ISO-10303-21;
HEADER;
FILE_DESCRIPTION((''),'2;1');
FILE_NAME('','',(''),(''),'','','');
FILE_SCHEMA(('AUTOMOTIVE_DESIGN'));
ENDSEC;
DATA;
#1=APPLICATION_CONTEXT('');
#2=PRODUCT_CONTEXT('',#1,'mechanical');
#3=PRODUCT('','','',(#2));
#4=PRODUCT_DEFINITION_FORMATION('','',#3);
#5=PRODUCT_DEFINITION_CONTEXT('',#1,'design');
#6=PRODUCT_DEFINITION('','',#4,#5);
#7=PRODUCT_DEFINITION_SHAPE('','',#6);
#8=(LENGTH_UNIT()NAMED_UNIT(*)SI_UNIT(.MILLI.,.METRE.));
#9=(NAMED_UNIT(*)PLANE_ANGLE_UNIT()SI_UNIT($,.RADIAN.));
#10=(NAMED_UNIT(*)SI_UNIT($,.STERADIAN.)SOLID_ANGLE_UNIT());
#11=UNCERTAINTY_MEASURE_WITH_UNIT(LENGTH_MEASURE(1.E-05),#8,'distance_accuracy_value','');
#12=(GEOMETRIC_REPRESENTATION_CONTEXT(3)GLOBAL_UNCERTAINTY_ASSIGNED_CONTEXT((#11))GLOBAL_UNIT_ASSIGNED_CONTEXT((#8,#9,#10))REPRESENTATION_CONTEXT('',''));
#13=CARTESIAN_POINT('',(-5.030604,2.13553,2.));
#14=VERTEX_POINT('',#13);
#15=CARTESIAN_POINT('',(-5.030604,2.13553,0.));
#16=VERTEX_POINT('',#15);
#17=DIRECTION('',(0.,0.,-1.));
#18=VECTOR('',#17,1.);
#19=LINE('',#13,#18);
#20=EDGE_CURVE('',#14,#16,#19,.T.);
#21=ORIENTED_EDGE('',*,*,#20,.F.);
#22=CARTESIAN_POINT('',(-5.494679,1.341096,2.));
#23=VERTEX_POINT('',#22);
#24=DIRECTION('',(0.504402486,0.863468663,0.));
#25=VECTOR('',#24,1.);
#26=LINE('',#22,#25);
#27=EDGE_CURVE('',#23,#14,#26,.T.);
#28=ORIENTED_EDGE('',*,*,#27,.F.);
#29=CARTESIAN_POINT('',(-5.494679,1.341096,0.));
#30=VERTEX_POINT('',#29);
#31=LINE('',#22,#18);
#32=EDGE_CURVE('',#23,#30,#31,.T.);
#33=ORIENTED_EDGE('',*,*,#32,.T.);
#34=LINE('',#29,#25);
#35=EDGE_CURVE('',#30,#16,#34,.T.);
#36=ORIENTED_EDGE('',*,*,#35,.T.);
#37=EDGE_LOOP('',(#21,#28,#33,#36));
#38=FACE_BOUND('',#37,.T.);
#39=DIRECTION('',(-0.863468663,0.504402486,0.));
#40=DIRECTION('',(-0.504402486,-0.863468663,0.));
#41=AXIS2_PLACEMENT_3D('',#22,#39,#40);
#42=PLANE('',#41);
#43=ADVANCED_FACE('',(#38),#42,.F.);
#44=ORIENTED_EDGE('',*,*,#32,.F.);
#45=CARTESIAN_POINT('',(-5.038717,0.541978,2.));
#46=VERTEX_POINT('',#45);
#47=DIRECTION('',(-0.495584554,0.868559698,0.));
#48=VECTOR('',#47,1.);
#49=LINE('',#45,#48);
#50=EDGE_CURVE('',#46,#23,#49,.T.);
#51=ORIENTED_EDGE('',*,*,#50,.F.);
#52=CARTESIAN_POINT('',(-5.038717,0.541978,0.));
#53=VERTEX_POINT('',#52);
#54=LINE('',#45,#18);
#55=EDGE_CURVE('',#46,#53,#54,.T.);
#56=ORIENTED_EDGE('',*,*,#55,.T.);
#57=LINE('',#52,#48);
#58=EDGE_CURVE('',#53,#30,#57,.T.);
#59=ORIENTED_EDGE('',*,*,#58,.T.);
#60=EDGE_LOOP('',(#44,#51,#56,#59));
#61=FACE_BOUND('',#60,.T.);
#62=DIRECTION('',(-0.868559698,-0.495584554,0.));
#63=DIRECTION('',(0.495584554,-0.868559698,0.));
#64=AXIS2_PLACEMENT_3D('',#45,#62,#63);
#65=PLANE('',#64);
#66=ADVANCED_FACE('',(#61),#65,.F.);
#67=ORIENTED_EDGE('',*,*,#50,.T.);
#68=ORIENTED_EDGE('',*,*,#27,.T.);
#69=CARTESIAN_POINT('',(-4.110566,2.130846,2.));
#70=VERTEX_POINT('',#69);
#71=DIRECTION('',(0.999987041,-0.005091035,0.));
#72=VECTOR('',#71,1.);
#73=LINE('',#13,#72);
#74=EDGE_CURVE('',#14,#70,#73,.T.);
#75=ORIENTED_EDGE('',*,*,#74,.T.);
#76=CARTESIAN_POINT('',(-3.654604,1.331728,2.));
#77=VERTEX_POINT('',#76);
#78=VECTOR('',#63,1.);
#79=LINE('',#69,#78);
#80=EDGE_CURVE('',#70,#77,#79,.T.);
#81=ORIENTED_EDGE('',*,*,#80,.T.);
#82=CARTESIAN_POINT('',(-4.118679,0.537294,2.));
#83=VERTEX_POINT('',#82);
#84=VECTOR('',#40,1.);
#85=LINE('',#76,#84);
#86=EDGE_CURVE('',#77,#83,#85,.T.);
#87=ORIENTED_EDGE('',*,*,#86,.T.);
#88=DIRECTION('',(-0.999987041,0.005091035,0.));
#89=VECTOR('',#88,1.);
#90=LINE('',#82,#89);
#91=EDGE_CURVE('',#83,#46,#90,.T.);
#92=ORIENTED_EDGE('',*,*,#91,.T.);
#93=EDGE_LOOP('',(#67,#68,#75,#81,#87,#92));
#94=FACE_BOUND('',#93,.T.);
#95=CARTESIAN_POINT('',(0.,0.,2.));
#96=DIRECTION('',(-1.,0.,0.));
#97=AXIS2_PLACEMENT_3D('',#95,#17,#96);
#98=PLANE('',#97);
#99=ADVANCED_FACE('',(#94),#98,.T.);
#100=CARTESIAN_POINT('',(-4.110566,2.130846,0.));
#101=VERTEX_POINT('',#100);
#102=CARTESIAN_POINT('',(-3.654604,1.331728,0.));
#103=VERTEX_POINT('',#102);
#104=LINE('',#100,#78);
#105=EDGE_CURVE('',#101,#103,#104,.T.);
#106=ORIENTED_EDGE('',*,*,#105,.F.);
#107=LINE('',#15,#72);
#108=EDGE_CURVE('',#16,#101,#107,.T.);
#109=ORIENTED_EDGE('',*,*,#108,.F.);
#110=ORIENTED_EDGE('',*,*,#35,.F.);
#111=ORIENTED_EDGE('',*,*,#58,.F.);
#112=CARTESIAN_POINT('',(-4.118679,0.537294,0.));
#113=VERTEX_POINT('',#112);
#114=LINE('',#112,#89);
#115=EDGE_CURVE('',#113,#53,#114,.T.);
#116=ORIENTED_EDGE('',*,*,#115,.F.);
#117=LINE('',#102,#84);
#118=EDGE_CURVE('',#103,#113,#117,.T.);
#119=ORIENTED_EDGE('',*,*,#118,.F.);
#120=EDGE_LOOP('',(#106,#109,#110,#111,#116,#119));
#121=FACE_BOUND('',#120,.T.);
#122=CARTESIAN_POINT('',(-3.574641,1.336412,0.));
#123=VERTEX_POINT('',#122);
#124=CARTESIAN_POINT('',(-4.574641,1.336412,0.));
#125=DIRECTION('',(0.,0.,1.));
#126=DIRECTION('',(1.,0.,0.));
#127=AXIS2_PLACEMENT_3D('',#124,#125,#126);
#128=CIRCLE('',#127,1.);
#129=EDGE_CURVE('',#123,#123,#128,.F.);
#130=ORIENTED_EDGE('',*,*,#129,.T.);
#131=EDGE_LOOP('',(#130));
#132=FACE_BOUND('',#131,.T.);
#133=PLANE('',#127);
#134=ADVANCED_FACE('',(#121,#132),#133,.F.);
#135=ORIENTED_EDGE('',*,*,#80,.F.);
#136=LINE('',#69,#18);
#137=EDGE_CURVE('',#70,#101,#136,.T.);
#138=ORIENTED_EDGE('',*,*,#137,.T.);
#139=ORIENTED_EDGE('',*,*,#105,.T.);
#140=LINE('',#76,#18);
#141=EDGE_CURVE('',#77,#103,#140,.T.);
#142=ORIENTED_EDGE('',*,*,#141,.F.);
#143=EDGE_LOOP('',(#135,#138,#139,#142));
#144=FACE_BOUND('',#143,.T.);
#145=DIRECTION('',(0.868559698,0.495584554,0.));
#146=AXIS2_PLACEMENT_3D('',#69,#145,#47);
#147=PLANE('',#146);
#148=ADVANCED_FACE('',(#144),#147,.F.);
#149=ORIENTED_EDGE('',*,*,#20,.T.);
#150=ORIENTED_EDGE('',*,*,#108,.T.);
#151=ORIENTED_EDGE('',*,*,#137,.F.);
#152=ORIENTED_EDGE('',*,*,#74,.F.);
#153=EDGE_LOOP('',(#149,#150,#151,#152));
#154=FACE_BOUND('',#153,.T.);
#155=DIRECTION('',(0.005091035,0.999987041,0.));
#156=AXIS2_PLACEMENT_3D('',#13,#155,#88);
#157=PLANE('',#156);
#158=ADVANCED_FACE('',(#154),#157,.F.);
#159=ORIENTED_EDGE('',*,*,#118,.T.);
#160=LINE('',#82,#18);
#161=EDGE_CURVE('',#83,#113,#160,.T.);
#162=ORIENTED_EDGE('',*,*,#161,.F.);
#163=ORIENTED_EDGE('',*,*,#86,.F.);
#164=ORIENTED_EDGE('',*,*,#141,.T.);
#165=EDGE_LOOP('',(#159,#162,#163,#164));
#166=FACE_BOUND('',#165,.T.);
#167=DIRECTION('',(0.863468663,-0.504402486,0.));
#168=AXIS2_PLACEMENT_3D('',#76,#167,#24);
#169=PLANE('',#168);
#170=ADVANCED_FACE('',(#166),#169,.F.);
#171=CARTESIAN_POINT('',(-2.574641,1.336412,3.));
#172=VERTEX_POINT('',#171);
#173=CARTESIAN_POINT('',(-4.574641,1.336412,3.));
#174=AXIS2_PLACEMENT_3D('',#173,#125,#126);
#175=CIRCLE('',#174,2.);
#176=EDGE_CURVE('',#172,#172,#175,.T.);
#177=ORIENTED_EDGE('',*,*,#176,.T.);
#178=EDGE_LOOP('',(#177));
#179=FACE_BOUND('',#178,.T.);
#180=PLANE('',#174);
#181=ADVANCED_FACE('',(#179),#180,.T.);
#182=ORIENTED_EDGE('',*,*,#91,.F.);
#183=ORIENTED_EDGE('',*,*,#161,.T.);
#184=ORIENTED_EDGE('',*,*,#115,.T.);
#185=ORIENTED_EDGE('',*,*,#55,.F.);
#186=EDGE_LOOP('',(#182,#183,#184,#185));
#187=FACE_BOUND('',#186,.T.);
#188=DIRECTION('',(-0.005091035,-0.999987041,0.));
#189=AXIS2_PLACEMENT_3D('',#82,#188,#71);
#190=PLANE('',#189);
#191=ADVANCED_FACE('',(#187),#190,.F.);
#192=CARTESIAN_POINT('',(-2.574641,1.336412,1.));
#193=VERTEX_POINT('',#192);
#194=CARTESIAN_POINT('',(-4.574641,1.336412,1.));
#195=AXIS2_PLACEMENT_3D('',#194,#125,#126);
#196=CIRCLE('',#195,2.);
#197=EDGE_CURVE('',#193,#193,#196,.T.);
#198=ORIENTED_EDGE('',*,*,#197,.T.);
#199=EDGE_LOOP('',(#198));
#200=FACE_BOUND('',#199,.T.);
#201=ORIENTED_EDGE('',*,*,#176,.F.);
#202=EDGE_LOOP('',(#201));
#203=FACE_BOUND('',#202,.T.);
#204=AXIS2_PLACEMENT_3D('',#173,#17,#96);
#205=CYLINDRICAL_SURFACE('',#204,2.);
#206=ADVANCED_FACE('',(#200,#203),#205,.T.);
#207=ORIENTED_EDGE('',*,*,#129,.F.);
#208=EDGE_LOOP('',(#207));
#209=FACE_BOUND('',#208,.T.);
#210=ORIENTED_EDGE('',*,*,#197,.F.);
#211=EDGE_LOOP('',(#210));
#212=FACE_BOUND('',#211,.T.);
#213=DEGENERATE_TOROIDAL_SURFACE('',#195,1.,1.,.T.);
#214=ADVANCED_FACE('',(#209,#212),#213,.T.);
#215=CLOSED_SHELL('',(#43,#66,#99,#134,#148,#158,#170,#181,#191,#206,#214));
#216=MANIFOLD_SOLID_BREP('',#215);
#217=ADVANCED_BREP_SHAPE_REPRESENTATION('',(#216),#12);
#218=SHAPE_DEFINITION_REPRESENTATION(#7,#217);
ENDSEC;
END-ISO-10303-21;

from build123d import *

# Parameters (mm, degrees)
SKETCH1_R           = 2
BOSS_EXTRUDE2_DEPTH = 3
CUT_EXTRUDE1_DEPTH  = 2
FILLET5_R           = 1


with BuildPart() as part:
    # Sketch1 → Boss-Extrude2 (new body)
    with BuildSketch(Plane.XY):
        with Locations((-4.574641492, 1.336412121)):
            Circle(SKETCH1_R)
    extrude(amount=BOSS_EXTRUDE2_DEPTH)

    # Sketch2 → Cut-Extrude1 (cut)
    with BuildSketch(Plane(origin=(0, 0, 0), x_dir=(-1, 0, 0), z_dir=(0, 0, -1))):
        Polygon((4.11056624, 2.130846028), (3.654603921, 1.331728117), (4.118679173, 0.53729421), (5.038716745, 0.541978214), (5.494679064, 1.341096126), (5.030603811, 2.135530033), align=None)
    extrude(amount=-CUT_EXTRUDE1_DEPTH, mode=Mode.SUBTRACT)

    # Fillet5
    fillet5_edges = [part.edges().sort_by_distance(p)[0] for p in [
        (-6.574641492, 1.336412121, 0),
    ]]
    fillet(fillet5_edges, radius=FILLET5_R)


solid = part.part
